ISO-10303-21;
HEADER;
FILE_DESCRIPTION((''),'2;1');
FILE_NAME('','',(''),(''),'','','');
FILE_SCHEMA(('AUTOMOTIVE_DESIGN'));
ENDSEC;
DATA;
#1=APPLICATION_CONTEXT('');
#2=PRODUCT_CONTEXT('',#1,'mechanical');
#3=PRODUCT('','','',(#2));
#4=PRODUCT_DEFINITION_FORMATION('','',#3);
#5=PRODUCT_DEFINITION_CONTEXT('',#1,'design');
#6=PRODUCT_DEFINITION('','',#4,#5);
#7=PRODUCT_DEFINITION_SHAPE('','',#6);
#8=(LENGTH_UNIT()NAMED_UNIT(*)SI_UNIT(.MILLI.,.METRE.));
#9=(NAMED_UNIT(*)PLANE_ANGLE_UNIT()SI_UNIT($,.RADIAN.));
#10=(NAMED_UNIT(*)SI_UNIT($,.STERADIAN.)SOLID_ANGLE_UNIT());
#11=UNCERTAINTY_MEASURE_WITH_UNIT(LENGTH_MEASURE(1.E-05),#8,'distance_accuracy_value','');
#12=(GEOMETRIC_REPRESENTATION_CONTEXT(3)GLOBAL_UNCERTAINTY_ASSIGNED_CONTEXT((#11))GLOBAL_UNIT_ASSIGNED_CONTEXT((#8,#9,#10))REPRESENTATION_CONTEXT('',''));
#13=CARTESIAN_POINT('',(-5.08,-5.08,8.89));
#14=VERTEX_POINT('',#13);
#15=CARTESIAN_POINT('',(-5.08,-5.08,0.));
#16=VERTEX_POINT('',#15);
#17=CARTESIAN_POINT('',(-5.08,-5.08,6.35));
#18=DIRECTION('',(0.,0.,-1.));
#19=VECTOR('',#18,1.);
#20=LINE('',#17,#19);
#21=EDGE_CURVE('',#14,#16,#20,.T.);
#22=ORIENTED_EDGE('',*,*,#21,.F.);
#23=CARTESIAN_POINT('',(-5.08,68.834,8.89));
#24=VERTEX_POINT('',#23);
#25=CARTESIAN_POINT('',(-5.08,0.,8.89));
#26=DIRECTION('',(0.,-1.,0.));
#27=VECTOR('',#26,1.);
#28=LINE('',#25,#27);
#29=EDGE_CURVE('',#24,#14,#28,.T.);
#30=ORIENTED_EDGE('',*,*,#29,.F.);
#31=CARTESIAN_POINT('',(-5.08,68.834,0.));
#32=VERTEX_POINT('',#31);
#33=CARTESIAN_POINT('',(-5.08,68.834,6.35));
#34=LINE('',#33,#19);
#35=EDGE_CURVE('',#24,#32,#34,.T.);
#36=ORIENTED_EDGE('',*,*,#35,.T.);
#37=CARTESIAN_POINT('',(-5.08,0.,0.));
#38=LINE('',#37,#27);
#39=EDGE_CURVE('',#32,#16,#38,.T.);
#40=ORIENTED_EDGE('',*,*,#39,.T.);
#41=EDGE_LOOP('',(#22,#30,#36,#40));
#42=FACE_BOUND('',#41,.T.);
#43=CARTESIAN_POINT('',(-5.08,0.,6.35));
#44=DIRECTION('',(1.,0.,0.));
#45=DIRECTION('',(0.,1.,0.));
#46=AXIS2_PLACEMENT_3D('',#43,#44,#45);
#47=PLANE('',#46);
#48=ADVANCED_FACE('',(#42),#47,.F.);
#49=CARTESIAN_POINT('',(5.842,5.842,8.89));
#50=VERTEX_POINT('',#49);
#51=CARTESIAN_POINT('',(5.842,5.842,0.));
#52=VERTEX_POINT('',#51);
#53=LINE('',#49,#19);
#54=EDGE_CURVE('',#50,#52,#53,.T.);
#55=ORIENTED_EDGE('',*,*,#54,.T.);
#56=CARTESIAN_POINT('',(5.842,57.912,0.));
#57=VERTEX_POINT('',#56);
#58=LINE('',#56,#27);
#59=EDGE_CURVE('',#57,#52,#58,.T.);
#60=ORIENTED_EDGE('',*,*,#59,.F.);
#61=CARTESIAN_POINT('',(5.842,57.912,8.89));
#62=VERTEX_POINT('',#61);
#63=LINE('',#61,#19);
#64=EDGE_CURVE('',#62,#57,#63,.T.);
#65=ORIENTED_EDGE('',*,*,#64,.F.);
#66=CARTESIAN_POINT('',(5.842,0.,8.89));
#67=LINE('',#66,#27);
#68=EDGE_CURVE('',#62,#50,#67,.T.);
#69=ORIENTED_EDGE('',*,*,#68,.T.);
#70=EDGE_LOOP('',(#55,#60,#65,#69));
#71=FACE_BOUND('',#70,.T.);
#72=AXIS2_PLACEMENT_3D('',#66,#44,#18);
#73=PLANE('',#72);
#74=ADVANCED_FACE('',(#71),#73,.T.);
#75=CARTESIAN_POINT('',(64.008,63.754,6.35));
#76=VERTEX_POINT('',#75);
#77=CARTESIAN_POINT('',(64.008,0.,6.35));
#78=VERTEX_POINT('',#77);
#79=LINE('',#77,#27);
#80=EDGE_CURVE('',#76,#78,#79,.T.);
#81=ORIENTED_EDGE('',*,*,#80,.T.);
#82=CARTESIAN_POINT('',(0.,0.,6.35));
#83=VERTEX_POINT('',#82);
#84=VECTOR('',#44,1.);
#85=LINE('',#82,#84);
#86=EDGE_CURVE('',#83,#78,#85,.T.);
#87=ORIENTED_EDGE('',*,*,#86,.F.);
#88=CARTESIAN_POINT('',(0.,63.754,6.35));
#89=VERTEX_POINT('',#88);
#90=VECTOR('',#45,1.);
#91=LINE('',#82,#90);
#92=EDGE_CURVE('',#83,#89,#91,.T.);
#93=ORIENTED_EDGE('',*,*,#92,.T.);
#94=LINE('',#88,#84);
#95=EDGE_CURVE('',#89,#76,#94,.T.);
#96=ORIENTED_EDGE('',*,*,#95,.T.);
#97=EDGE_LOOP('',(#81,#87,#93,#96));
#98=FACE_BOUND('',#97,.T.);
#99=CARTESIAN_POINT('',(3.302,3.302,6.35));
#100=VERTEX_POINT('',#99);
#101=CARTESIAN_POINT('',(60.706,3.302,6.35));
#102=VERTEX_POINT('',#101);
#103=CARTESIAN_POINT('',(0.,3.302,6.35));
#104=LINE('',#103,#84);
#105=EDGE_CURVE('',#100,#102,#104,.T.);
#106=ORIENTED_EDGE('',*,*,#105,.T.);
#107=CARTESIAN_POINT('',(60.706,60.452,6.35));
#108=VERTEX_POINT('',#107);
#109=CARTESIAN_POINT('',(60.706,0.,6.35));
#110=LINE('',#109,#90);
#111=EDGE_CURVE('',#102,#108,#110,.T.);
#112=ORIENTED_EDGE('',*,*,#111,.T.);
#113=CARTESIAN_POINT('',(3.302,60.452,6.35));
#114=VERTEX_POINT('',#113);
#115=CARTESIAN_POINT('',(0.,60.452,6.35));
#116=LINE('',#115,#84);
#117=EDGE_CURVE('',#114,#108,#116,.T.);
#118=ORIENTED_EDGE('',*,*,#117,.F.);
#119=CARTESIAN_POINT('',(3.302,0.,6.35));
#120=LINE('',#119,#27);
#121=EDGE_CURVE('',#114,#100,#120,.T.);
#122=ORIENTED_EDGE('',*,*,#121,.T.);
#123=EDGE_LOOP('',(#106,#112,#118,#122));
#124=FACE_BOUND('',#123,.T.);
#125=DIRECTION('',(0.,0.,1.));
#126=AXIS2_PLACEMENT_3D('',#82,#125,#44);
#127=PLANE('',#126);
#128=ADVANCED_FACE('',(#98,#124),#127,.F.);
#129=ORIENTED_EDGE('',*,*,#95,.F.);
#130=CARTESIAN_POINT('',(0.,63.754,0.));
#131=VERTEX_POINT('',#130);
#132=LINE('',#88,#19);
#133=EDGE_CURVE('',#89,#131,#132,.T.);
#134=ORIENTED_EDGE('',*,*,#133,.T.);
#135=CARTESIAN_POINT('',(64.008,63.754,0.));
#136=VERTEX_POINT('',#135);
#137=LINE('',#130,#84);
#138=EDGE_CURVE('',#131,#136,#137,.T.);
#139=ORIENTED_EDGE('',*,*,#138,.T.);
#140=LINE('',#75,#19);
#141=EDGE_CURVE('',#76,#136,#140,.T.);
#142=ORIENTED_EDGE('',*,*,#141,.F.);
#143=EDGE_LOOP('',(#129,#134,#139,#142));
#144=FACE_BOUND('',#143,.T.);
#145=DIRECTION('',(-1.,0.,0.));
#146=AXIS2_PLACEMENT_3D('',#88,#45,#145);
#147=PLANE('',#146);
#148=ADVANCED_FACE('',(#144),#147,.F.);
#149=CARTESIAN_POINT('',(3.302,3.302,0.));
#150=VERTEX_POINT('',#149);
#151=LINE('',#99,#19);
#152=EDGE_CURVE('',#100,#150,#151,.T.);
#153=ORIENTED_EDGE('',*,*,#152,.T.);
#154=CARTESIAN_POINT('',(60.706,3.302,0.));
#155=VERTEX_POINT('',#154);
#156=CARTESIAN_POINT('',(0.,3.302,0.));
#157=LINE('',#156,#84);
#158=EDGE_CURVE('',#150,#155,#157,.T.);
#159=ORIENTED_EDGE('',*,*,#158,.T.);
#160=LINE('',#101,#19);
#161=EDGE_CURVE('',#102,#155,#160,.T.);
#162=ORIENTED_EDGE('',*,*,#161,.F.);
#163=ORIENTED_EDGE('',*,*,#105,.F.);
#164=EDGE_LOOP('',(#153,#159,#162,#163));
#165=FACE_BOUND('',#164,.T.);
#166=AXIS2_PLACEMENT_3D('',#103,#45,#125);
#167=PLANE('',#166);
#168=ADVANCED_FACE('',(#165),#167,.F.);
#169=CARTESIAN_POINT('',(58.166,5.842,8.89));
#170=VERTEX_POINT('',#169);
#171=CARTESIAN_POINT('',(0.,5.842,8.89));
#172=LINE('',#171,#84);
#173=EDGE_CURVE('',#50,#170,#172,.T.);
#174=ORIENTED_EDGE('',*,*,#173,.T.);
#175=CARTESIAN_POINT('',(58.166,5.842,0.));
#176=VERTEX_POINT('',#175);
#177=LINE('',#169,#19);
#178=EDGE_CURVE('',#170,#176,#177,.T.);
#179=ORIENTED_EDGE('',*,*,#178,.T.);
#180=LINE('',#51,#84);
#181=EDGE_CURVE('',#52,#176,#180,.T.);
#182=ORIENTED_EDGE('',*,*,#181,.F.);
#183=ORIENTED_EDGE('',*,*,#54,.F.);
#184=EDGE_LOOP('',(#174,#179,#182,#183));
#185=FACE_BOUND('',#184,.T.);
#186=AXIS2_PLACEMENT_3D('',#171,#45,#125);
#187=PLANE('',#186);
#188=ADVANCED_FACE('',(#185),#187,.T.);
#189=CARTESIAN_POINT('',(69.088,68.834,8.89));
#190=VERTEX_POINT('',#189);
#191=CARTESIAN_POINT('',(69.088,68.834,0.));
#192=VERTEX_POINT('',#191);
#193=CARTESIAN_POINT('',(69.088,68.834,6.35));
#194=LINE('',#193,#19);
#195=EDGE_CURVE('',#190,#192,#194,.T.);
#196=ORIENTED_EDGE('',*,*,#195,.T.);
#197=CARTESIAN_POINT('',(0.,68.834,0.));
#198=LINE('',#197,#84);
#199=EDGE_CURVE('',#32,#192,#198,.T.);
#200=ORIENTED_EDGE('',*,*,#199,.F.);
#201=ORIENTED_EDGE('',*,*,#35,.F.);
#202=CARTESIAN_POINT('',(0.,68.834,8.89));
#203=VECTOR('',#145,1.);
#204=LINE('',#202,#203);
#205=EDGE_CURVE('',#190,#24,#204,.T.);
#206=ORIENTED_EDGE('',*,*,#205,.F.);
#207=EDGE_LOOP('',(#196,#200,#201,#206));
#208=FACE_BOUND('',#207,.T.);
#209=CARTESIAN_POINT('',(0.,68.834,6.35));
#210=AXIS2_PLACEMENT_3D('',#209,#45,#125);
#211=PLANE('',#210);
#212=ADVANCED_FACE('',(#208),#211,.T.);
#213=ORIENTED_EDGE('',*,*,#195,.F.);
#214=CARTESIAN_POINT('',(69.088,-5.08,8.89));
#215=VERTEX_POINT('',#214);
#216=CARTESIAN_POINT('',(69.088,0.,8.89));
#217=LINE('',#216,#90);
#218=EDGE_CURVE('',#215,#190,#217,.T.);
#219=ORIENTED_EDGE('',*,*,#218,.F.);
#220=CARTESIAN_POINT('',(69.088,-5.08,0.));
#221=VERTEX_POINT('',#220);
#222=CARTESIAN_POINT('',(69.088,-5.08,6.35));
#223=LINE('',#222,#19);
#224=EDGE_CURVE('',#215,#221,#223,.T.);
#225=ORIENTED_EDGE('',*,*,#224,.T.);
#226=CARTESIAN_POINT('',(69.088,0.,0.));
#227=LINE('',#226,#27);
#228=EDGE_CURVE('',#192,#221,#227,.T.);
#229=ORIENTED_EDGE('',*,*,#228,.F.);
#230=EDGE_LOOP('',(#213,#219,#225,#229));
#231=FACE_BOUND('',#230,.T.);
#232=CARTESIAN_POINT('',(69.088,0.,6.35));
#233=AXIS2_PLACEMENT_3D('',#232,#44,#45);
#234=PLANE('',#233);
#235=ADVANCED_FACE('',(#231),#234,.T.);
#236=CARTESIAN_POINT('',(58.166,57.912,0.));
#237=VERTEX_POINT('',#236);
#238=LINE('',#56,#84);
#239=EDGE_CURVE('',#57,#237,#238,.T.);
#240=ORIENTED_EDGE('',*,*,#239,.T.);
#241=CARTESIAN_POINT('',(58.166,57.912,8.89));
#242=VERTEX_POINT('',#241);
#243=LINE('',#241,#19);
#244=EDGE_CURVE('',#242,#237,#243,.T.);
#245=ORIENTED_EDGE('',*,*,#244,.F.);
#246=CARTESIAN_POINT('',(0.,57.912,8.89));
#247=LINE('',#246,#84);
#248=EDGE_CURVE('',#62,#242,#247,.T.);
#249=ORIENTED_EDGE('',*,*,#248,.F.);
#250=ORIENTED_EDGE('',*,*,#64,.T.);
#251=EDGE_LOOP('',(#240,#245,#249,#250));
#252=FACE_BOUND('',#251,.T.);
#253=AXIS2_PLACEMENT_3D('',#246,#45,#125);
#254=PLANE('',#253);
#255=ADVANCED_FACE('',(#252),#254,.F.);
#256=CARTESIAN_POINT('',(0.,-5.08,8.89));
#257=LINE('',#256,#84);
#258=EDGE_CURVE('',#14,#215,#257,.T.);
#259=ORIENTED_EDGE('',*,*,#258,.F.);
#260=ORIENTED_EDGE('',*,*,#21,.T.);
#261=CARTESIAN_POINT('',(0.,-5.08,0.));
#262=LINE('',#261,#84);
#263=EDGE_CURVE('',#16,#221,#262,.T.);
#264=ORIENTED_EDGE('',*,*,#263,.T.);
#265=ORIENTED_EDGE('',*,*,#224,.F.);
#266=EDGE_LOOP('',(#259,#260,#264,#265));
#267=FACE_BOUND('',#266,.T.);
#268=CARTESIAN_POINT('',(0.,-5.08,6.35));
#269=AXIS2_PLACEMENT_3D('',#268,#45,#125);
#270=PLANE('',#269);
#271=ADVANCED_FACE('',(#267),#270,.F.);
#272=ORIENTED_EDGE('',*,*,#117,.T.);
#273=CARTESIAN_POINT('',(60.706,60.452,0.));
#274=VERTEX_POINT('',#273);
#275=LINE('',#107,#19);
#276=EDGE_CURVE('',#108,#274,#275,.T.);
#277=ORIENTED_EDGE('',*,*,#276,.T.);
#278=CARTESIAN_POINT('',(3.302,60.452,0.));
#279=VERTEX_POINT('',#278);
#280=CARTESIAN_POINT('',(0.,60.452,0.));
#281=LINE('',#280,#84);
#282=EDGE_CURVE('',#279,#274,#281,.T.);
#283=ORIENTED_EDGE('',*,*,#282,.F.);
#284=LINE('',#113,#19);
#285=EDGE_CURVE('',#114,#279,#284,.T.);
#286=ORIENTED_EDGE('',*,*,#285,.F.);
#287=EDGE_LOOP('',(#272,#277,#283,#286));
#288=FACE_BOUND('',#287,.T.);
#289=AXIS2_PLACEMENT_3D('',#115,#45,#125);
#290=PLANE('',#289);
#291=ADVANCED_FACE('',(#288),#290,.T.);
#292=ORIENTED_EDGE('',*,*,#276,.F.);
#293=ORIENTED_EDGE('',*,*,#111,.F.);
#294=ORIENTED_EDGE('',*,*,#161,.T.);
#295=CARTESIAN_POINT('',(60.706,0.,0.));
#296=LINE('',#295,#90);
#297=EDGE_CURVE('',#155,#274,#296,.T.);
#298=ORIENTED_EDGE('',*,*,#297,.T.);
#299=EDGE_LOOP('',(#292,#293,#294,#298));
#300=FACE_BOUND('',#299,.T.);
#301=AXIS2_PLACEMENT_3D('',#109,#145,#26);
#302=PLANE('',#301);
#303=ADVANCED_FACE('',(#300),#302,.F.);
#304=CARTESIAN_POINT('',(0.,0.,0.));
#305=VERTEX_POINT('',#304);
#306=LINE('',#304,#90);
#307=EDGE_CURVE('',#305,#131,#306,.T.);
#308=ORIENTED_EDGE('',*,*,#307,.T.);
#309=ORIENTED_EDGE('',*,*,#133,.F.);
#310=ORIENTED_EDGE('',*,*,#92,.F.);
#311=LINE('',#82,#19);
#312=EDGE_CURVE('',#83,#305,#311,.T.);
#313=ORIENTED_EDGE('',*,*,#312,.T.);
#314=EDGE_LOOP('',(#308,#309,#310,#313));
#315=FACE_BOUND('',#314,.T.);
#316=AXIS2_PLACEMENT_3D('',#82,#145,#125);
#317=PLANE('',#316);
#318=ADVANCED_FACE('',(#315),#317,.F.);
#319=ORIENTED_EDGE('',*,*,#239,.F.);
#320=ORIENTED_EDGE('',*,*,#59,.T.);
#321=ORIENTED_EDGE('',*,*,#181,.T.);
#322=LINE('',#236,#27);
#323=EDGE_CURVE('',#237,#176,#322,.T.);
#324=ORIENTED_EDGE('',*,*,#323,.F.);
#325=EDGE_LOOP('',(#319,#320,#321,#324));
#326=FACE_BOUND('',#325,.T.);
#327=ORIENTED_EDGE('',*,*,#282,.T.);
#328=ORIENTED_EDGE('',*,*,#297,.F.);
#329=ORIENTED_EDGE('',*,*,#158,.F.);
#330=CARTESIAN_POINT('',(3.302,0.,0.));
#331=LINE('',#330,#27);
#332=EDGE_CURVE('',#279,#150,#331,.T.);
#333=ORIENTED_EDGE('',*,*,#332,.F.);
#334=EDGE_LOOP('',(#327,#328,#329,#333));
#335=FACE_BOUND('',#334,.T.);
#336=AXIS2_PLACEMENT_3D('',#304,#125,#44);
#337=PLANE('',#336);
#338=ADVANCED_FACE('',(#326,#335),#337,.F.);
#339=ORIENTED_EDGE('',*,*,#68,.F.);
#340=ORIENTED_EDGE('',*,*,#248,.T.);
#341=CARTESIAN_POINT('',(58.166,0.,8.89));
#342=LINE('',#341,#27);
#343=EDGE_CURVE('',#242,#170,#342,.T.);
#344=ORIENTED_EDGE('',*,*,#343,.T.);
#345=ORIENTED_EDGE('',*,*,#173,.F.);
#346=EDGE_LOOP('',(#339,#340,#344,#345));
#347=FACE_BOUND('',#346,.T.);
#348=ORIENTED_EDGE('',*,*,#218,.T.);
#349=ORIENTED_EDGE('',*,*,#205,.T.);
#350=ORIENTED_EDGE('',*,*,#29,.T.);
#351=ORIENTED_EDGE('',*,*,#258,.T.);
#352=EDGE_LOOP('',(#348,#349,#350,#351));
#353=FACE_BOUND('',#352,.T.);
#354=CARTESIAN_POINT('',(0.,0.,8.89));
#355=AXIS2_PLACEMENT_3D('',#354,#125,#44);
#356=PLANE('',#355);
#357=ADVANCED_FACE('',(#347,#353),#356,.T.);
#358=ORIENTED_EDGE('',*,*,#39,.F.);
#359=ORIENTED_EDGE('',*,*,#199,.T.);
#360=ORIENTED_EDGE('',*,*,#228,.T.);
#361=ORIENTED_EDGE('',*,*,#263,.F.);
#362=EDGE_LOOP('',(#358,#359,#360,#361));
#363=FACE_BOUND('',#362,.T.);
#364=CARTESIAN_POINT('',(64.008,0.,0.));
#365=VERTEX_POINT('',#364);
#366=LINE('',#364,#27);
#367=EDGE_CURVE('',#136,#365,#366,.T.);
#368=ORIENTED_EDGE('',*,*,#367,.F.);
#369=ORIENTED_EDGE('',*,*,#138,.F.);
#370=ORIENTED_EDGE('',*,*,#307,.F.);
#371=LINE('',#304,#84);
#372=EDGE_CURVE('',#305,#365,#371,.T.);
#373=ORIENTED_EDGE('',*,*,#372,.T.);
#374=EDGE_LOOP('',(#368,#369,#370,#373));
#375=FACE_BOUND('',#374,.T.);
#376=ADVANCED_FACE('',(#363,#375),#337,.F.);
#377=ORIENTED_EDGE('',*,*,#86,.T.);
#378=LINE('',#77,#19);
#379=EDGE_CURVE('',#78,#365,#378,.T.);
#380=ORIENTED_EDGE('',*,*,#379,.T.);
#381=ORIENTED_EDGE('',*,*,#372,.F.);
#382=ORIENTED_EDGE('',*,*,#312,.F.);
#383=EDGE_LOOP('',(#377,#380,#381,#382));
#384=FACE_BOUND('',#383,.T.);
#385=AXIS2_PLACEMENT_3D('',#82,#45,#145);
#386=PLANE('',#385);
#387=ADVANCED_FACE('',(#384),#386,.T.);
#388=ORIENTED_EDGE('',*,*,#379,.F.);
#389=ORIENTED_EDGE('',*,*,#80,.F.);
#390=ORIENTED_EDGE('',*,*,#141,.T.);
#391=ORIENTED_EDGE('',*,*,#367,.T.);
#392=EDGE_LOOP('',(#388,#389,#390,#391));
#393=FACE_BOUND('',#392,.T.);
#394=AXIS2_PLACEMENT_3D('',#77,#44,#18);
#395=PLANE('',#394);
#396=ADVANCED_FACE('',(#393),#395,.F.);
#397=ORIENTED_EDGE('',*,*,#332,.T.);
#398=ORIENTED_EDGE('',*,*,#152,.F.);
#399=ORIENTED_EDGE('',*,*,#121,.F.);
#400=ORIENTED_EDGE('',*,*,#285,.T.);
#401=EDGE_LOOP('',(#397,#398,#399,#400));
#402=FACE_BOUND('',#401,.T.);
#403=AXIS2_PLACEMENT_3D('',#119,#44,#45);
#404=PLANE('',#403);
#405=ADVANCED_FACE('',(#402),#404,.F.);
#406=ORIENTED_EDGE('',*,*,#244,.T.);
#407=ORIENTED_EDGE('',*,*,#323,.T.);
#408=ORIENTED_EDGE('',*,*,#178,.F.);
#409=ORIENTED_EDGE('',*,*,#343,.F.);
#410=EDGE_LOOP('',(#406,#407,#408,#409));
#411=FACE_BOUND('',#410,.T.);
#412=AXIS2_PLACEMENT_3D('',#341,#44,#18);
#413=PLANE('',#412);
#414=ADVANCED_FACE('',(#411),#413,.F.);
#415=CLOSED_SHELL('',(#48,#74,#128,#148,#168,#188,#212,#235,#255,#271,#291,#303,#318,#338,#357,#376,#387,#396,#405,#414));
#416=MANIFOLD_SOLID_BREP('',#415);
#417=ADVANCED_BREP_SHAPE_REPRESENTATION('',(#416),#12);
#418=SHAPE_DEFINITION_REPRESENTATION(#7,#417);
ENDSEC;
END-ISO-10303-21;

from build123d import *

# Parameters (mm, degrees)
SKETCH1_W             = 57.404
SKETCH1_H             = 57.15
SKETCH1_W_2           = 52.324
SKETCH1_H_2           = 52.07
BOSS_EXTRUDE1_DEPTH   = 6.35
SKETCH1_W_3           = 74.168
SKETCH1_H_3           = 73.914
BOSS_EXTRUDE1_2_DEPTH = 6.35
SKETCH2_W             = 74.168
SKETCH2_H             = 73.914
SKETCH2_W_2           = 52.324
SKETCH2_H_2           = 52.07
BOSS_EXTRUDE2_DEPTH   = 2.54


with BuildPart() as part:
    # Sketch1 → Boss-Extrude1 (new body)
    with BuildSketch(Plane.XY):
        with Locations((32.004, 31.877)):
            Rectangle(SKETCH1_W, SKETCH1_H)
        with Locations((32.004, 31.877)):
            Rectangle(SKETCH1_W_2, SKETCH1_H_2, mode=Mode.SUBTRACT)
    extrude(amount=BOSS_EXTRUDE1_DEPTH)



with BuildPart() as body_2:
    # Sketch1 → Boss-Extrude1 2 (new body)
    with BuildSketch(Plane.XY):
        with Locations((32.004, 31.877)):
            Rectangle(SKETCH1_W_3, SKETCH1_H_3)
        Polygon((0, 0), (64.008, 0), (64.008, 63.754), (60.706, 63.754), (3.302, 63.754), (0, 63.754), align=None, mode=Mode.SUBTRACT)
    extrude(amount=BOSS_EXTRUDE1_2_DEPTH)


with BuildPart() as part_1:
    add(part.part)

    add(body_2.part)  # Boss-Extrude2 merges body 2
    # Sketch2 → Boss-Extrude2 (add)
    with BuildSketch(Plane.XY.offset(6.35)):
        with Locations((32.004, 31.877)):
            Rectangle(SKETCH2_W, SKETCH2_H)
        with Locations((32.004, 31.877)):
            Rectangle(SKETCH2_W_2, SKETCH2_H_2, mode=Mode.SUBTRACT)
    extrude(amount=BOSS_EXTRUDE2_DEPTH)


solid = part_1.part
